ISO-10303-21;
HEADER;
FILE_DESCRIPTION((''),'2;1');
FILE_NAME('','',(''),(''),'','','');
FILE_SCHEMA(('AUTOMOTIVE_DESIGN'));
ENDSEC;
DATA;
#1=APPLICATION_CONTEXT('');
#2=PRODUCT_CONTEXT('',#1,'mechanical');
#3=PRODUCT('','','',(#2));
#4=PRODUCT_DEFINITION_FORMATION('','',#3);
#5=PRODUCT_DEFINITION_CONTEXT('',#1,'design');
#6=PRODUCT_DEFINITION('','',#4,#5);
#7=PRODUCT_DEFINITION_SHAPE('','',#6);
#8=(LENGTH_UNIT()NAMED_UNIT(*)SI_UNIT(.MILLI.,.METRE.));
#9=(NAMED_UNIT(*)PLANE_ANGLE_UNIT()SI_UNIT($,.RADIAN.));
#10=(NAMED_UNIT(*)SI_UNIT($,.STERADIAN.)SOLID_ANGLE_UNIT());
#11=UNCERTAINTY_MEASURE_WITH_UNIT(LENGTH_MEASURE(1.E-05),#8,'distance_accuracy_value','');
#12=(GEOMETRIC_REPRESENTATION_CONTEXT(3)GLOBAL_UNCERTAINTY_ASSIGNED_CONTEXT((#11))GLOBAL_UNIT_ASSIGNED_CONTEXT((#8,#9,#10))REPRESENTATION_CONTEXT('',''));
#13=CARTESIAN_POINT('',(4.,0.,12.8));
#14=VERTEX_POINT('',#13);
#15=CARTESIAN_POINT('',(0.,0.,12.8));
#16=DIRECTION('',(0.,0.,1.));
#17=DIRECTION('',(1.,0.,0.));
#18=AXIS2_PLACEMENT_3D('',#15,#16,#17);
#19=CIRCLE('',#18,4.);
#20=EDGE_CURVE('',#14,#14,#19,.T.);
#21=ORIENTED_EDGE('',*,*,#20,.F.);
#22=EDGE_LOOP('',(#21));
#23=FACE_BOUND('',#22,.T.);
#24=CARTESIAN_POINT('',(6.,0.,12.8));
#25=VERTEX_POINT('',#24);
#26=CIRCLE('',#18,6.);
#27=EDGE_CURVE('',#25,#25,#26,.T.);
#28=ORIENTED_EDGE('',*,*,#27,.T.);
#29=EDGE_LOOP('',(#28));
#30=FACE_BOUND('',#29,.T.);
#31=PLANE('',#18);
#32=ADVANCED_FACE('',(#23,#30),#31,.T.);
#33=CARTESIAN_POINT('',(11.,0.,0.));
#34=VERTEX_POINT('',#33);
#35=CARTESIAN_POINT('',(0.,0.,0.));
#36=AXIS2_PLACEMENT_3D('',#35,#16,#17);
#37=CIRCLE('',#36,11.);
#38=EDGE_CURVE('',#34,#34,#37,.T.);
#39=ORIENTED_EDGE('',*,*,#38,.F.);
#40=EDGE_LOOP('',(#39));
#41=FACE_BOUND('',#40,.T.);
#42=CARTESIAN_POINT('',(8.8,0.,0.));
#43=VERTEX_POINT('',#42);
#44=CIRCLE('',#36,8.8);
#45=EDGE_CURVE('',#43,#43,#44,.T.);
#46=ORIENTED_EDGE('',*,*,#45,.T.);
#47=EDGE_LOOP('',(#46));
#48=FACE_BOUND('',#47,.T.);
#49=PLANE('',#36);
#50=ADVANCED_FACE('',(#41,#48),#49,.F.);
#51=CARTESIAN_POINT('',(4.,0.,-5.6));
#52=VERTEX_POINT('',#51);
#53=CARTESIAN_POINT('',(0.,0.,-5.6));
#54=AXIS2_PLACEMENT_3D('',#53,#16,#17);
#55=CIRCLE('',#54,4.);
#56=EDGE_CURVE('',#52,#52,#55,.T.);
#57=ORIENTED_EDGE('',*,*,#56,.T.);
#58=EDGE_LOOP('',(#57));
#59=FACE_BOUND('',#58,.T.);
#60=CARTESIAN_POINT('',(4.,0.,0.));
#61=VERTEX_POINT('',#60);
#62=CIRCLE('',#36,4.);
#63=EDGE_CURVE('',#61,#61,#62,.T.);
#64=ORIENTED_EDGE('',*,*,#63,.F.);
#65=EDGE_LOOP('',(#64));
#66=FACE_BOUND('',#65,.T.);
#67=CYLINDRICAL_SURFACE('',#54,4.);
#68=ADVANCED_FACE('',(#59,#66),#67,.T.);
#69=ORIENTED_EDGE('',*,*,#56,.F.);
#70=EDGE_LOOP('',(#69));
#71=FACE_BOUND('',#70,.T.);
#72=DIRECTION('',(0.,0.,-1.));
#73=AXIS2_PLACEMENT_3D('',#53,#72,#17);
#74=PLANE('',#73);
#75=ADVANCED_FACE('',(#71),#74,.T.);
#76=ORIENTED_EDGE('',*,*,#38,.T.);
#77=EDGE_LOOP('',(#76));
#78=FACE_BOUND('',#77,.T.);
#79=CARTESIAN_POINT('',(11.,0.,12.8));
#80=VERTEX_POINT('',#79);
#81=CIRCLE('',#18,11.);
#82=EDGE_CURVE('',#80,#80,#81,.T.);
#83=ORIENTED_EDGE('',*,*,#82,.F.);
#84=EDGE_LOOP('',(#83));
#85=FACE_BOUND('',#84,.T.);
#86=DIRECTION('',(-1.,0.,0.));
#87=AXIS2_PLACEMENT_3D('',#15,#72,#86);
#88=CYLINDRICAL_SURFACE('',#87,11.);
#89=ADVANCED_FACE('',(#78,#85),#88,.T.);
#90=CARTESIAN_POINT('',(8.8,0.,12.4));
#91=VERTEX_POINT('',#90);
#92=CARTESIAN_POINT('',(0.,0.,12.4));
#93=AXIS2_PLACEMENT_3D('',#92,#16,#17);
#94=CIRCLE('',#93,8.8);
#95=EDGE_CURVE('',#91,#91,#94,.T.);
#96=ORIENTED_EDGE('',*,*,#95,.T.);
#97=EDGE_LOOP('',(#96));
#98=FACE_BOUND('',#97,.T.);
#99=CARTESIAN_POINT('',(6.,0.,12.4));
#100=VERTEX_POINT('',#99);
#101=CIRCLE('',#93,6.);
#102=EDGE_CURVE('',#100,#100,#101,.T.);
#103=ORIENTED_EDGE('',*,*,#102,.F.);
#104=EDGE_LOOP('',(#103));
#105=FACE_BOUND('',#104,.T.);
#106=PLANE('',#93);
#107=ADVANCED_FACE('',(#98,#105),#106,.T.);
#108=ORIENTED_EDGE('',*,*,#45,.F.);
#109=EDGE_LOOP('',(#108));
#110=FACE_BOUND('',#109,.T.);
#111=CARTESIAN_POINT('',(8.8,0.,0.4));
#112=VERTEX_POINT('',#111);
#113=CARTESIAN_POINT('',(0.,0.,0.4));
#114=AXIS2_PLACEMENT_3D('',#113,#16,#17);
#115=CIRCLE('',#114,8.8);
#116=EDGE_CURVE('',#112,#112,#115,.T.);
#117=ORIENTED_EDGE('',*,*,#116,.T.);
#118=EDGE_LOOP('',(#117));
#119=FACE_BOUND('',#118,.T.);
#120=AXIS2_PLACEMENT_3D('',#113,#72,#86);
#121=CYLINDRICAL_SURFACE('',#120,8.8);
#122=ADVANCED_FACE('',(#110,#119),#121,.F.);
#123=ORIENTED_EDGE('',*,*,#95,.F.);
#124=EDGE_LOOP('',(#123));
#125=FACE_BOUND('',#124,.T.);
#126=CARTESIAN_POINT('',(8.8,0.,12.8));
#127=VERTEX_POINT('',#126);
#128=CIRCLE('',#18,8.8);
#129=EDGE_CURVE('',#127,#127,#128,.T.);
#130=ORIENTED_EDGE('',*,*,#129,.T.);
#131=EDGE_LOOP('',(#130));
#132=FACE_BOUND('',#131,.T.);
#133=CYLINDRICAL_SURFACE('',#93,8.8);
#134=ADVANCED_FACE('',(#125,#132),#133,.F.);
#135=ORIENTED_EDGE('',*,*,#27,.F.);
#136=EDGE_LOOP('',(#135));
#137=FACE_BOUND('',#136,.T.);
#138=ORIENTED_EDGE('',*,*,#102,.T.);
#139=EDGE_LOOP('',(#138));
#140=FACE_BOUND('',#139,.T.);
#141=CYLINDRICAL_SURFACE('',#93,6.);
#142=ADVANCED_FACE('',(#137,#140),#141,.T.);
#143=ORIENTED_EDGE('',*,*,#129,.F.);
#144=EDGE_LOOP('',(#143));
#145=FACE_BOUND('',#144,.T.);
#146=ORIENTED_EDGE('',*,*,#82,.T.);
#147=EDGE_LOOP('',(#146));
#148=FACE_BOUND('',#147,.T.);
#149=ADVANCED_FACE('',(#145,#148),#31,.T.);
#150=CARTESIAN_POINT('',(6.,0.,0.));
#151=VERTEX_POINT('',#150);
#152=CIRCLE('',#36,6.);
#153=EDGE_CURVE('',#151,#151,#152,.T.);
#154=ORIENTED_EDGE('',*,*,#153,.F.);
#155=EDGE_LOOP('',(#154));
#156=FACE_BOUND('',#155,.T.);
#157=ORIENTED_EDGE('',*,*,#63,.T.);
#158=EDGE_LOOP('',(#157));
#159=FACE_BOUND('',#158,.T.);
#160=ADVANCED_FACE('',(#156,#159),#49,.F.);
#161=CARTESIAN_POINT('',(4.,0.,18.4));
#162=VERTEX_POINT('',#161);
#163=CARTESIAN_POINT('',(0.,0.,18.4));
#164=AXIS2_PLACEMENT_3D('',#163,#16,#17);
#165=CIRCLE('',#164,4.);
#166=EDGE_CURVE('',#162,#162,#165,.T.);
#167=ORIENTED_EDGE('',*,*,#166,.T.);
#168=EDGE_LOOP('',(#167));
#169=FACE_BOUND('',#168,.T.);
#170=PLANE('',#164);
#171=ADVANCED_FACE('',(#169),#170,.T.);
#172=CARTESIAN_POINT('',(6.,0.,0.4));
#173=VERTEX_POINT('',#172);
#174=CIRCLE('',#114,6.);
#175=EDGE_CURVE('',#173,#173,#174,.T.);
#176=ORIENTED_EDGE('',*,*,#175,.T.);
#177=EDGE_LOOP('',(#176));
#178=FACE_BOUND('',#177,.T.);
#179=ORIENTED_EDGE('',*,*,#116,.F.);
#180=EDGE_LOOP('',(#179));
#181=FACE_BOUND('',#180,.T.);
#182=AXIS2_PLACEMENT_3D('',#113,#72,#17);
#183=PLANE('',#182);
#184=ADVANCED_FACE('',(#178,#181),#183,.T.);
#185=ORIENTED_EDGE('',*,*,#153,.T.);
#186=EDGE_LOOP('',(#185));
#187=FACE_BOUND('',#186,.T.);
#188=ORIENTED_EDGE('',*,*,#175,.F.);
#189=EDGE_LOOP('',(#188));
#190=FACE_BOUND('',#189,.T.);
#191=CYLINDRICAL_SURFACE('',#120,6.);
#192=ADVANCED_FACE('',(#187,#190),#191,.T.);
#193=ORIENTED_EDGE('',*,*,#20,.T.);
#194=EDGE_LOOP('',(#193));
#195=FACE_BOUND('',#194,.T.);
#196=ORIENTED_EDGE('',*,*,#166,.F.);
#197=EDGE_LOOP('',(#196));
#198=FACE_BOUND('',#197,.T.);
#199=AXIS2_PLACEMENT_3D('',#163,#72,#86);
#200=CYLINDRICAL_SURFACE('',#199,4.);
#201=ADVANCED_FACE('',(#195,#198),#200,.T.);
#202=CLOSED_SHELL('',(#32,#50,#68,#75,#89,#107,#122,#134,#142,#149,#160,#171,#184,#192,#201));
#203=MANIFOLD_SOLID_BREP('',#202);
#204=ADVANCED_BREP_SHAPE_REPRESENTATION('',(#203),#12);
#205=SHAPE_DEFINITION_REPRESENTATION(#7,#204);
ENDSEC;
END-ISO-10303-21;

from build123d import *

# Parameters (mm, degrees)
CROQUIS1_R              = 11
SALIENTE_EXTRUIR1_DEPTH = 12.8
CROQUIS2_R              = 8.8
CROQUIS2_R_2            = 6
CORTAR_EXTRUIR1_DEPTH   = 0.4
CROQUIS3_R              = 4
SALIENTE_EXTRUIR2_DEPTH = 5.6


with BuildPart() as part:
    # Croquis1 → Saliente-Extruir1 (new body)
    with BuildSketch(Plane.XY):
        Circle(CROQUIS1_R)
    extrude(amount=SALIENTE_EXTRUIR1_DEPTH)

    # Croquis2 → Cortar-Extruir1 (cut)
    with BuildSketch(Plane.XY.offset(12.8)):
        Circle(CROQUIS2_R)
        Circle(CROQUIS2_R_2, mode=Mode.SUBTRACT)
    cortar_extruir1 = extrude(amount=-CORTAR_EXTRUIR1_DEPTH, mode=Mode.SUBTRACT)

    # Croquis3 → Saliente-Extruir2 (add)
    with BuildSketch(Plane.XY.offset(12.8)):
        Circle(CROQUIS3_R)
    saliente_extruir2 = extrude(amount=SALIENTE_EXTRUIR2_DEPTH)

    # Simetría1: Cortar-Extruir1, Saliente-Extruir2 across plane
    add(cortar_extruir1.mirror(Plane.XY.offset(6.4)), mode=Mode.SUBTRACT)
    add(saliente_extruir2.mirror(Plane.XY.offset(6.4)))


solid = part.part
